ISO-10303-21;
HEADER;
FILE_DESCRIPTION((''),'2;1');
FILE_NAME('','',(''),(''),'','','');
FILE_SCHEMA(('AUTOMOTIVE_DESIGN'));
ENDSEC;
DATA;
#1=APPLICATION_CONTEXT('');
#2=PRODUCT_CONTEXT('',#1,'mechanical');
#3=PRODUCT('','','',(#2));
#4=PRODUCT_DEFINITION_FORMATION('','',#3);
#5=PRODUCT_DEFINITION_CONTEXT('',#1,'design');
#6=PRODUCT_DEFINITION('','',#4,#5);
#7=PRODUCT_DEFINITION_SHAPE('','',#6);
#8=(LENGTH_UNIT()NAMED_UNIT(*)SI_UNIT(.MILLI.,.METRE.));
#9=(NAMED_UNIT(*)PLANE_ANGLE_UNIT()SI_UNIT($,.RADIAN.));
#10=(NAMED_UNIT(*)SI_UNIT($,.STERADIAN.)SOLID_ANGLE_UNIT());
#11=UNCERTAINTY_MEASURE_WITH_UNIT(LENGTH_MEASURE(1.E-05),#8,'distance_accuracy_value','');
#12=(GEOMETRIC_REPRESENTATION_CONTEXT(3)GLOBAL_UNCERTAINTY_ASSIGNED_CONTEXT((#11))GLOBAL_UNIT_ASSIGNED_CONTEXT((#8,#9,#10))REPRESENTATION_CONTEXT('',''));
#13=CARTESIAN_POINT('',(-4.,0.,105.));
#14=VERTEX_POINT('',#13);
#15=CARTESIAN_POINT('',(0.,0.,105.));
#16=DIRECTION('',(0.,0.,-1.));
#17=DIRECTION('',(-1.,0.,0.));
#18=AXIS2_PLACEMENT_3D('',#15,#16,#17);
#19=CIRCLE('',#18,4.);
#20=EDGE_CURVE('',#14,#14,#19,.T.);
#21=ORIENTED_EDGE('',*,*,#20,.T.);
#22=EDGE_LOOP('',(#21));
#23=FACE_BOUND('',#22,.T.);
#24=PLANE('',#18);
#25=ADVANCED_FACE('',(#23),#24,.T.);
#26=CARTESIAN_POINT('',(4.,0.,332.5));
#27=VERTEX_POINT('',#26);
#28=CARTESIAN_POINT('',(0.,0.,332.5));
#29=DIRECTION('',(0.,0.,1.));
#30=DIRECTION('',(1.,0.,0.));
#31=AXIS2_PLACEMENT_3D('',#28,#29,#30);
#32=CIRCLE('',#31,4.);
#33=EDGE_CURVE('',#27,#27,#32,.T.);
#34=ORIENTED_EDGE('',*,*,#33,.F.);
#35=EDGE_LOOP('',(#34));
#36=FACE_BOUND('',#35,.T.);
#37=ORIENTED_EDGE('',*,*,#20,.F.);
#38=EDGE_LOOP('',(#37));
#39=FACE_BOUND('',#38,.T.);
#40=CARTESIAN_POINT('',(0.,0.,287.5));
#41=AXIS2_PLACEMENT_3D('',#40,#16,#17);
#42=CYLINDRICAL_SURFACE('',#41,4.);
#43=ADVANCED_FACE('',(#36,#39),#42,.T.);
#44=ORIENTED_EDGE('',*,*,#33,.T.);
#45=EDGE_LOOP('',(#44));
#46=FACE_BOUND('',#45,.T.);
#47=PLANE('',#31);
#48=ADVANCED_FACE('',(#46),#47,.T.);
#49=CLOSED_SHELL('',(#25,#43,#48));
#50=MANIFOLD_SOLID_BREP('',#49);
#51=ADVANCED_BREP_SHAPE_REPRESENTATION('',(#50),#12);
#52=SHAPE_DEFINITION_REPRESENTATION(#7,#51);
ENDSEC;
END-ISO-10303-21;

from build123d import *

# Parameters (mm, degrees)
SKETCH1_R           = 4
BOSS_EXTRUDE1_DEPTH = 287.5
SKETCH2_R           = 4
BOSS_EXTRUDE2_DEPTH = 45
SKETCH3_R           = 4
CUT_EXTRUDE1_DEPTH  = 105


with BuildPart() as part:
    # Sketch1 → Boss-Extrude1 (new body)
    with BuildSketch(Plane.XY):
        Circle(SKETCH1_R)
    extrude(amount=BOSS_EXTRUDE1_DEPTH)

    # Sketch2 → Boss-Extrude2 (add)
    with BuildSketch(Plane.XY.offset(287.5)):
        Circle(SKETCH2_R)
    extrude(amount=BOSS_EXTRUDE2_DEPTH)

    # Sketch3 → Cut-Extrude1 (cut)
    with BuildSketch(Plane(origin=(0, 0, 0), x_dir=(-1, 0, 0), z_dir=(0, 0, -1))):
        Circle(SKETCH3_R)
    extrude(amount=-CUT_EXTRUDE1_DEPTH, mode=Mode.SUBTRACT)


solid = part.part
